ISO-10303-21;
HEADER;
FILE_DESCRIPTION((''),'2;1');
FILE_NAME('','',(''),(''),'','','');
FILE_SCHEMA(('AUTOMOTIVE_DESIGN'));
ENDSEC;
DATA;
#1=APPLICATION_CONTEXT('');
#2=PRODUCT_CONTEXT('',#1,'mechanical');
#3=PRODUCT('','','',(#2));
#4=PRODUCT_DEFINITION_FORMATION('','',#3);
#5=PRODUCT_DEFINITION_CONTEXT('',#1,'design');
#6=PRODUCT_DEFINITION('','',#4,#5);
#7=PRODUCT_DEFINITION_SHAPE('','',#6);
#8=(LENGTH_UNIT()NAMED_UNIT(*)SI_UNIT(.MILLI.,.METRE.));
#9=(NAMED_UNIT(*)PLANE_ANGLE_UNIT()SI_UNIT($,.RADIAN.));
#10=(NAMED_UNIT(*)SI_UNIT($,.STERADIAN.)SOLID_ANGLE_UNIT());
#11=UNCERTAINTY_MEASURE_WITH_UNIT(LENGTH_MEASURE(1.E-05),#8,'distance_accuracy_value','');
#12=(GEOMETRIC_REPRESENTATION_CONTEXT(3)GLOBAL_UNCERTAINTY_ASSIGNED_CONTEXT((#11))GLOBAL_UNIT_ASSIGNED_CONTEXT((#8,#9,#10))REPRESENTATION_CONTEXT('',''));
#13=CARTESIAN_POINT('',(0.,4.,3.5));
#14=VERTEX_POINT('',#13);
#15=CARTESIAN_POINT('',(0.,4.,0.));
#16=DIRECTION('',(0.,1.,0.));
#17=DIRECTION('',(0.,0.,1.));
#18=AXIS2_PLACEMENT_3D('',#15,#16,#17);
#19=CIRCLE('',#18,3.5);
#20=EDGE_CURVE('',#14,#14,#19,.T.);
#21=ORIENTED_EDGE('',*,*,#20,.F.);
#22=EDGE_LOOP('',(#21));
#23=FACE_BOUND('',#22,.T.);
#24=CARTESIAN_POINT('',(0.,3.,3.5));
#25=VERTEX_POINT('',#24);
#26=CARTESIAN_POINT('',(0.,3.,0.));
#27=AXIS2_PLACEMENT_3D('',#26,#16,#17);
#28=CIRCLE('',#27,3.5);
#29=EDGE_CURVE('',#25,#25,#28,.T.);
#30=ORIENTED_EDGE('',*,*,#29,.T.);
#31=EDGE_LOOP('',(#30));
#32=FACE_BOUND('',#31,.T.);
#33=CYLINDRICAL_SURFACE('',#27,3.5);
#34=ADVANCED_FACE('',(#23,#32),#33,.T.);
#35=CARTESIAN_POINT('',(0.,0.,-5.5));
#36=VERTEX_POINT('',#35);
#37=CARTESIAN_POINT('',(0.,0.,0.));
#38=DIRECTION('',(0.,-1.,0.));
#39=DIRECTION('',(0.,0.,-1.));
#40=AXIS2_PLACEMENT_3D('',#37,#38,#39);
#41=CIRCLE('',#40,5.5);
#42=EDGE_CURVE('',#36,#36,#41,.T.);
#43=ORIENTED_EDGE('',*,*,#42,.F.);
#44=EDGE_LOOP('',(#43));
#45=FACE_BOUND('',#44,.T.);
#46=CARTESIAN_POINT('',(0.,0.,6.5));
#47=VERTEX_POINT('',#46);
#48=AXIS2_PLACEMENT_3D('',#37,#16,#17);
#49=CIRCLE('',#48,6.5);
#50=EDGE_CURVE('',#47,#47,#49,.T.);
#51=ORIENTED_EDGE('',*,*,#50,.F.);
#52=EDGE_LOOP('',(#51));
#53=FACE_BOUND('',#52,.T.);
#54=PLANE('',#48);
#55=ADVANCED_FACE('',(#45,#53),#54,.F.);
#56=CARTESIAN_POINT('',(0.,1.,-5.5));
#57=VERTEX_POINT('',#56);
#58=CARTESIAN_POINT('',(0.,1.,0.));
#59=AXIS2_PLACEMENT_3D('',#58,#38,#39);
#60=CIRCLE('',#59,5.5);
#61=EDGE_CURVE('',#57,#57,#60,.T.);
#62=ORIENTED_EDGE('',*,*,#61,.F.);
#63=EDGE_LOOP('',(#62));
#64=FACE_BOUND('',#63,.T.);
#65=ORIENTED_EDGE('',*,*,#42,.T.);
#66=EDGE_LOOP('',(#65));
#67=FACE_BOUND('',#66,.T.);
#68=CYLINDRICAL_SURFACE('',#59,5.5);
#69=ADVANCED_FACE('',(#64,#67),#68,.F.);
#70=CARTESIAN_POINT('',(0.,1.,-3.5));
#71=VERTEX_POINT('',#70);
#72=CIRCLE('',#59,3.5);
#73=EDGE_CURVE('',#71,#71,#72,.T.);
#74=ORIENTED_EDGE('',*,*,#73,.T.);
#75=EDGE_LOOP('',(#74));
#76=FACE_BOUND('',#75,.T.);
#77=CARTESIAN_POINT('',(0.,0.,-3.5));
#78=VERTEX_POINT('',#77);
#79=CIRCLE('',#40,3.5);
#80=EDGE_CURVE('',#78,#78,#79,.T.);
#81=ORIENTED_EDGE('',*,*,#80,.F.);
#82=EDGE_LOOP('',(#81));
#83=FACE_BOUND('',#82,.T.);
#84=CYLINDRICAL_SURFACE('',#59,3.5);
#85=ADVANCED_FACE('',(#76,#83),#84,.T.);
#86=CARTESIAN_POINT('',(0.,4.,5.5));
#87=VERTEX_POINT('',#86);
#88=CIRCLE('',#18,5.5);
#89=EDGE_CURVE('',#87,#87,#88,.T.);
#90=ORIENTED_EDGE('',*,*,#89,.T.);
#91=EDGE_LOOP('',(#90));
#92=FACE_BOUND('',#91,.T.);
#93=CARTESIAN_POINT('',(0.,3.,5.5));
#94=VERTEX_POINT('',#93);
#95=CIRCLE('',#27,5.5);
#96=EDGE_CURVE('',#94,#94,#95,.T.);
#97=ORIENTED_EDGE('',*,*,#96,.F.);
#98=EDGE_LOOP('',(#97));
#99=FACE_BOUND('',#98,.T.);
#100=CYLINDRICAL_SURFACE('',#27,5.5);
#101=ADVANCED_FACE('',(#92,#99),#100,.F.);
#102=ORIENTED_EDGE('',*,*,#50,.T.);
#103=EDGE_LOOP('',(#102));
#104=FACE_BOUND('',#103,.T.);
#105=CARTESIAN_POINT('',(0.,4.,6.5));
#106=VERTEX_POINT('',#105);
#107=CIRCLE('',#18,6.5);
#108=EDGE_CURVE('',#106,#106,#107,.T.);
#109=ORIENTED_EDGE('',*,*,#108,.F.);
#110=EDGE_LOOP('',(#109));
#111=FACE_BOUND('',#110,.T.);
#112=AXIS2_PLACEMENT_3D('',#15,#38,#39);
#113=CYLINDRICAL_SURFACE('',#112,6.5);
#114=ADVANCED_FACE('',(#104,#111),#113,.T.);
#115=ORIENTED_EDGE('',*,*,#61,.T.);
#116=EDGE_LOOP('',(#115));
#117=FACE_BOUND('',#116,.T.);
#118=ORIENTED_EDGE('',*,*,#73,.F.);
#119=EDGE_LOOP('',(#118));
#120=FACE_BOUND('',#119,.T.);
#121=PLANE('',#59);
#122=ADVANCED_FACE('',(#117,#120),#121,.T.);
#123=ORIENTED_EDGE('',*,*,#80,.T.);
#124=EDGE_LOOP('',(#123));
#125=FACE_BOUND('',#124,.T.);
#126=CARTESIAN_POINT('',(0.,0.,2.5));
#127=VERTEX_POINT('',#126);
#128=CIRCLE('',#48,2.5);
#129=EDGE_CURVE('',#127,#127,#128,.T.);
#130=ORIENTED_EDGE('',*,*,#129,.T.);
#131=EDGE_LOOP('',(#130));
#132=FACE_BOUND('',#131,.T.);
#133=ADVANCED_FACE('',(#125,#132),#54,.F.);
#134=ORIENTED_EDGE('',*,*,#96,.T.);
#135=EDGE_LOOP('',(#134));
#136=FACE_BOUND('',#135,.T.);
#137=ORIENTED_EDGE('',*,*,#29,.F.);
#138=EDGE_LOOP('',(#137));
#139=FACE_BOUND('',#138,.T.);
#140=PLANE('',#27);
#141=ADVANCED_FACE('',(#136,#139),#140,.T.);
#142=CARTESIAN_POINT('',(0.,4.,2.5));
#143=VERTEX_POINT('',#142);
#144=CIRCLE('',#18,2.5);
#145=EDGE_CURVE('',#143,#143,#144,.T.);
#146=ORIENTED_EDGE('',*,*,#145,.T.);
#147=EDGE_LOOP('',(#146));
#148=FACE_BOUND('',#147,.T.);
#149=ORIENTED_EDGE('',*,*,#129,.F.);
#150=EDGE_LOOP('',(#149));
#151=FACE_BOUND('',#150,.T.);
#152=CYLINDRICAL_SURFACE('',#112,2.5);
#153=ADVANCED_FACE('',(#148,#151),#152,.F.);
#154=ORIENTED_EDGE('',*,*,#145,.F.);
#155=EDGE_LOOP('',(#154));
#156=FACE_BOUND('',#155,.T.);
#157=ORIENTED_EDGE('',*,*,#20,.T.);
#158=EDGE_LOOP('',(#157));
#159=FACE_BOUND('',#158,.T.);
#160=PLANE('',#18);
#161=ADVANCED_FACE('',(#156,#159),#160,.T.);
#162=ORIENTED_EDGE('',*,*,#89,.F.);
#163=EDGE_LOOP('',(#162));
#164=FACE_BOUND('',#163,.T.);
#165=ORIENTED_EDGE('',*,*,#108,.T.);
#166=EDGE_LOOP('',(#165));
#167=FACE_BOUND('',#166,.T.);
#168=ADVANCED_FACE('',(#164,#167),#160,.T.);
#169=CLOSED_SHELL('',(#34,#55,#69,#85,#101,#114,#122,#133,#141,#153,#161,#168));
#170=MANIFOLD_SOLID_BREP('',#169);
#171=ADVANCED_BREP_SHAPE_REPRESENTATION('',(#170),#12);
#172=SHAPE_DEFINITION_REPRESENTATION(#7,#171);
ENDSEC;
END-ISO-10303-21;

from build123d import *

# Parameters (mm, degrees)
SKETCH1_R           = 6.5
SKETCH1_R_2         = 2.5
BOSS_EXTRUDE1_DEPTH = 4
SKETCH2_R           = 5.5
SKETCH2_R_2         = 3.5
CUT_EXTRUDE1_DEPTH  = 1
CUT_EXTRUDE2_START  = -1
SKETCH3_R           = 5.5
SKETCH3_R_2         = 3.5
CUT_EXTRUDE2_DEPTH  = 1


with BuildPart() as part:
    # Sketch1 → Boss-Extrude1 (new body)
    with BuildSketch(Plane(origin=(0, 0, 0), x_dir=(1, 0, 0), z_dir=(0, 1, 0))):
        with Locations(Location((0, 0, 0), (0, 0, 270))):
            Circle(SKETCH1_R)
        with Locations(Location((0, 0, 0), (0, 0, 270))):
            Circle(SKETCH1_R_2, mode=Mode.SUBTRACT)
    extrude(amount=BOSS_EXTRUDE1_DEPTH)

    # Sketch2 → Cut-Extrude1 (cut)
    with BuildSketch(Plane(origin=(0, 4, 0), x_dir=(1, 0, 0), z_dir=(0, 1, 0))):
        with Locations(Location((0, 0, 0), (0, 0, 270))):
            Circle(SKETCH2_R)
        with Locations(Location((0, 0, 0), (0, 0, 270))):
            Circle(SKETCH2_R_2, mode=Mode.SUBTRACT)
    extrude(amount=-CUT_EXTRUDE1_DEPTH, mode=Mode.SUBTRACT)

    # Sketch3 → Cut-Extrude2 (cut)
    with BuildSketch(Plane.XZ.offset(CUT_EXTRUDE2_START)):
        with Locations(Location((0, 0, 0), (0, 0, 90))):
            Circle(SKETCH3_R)
        with Locations(Location((0, 0, 0), (0, 0, 90))):
            Circle(SKETCH3_R_2, mode=Mode.SUBTRACT)
    extrude(amount=CUT_EXTRUDE2_DEPTH, mode=Mode.SUBTRACT)


solid = part.part
